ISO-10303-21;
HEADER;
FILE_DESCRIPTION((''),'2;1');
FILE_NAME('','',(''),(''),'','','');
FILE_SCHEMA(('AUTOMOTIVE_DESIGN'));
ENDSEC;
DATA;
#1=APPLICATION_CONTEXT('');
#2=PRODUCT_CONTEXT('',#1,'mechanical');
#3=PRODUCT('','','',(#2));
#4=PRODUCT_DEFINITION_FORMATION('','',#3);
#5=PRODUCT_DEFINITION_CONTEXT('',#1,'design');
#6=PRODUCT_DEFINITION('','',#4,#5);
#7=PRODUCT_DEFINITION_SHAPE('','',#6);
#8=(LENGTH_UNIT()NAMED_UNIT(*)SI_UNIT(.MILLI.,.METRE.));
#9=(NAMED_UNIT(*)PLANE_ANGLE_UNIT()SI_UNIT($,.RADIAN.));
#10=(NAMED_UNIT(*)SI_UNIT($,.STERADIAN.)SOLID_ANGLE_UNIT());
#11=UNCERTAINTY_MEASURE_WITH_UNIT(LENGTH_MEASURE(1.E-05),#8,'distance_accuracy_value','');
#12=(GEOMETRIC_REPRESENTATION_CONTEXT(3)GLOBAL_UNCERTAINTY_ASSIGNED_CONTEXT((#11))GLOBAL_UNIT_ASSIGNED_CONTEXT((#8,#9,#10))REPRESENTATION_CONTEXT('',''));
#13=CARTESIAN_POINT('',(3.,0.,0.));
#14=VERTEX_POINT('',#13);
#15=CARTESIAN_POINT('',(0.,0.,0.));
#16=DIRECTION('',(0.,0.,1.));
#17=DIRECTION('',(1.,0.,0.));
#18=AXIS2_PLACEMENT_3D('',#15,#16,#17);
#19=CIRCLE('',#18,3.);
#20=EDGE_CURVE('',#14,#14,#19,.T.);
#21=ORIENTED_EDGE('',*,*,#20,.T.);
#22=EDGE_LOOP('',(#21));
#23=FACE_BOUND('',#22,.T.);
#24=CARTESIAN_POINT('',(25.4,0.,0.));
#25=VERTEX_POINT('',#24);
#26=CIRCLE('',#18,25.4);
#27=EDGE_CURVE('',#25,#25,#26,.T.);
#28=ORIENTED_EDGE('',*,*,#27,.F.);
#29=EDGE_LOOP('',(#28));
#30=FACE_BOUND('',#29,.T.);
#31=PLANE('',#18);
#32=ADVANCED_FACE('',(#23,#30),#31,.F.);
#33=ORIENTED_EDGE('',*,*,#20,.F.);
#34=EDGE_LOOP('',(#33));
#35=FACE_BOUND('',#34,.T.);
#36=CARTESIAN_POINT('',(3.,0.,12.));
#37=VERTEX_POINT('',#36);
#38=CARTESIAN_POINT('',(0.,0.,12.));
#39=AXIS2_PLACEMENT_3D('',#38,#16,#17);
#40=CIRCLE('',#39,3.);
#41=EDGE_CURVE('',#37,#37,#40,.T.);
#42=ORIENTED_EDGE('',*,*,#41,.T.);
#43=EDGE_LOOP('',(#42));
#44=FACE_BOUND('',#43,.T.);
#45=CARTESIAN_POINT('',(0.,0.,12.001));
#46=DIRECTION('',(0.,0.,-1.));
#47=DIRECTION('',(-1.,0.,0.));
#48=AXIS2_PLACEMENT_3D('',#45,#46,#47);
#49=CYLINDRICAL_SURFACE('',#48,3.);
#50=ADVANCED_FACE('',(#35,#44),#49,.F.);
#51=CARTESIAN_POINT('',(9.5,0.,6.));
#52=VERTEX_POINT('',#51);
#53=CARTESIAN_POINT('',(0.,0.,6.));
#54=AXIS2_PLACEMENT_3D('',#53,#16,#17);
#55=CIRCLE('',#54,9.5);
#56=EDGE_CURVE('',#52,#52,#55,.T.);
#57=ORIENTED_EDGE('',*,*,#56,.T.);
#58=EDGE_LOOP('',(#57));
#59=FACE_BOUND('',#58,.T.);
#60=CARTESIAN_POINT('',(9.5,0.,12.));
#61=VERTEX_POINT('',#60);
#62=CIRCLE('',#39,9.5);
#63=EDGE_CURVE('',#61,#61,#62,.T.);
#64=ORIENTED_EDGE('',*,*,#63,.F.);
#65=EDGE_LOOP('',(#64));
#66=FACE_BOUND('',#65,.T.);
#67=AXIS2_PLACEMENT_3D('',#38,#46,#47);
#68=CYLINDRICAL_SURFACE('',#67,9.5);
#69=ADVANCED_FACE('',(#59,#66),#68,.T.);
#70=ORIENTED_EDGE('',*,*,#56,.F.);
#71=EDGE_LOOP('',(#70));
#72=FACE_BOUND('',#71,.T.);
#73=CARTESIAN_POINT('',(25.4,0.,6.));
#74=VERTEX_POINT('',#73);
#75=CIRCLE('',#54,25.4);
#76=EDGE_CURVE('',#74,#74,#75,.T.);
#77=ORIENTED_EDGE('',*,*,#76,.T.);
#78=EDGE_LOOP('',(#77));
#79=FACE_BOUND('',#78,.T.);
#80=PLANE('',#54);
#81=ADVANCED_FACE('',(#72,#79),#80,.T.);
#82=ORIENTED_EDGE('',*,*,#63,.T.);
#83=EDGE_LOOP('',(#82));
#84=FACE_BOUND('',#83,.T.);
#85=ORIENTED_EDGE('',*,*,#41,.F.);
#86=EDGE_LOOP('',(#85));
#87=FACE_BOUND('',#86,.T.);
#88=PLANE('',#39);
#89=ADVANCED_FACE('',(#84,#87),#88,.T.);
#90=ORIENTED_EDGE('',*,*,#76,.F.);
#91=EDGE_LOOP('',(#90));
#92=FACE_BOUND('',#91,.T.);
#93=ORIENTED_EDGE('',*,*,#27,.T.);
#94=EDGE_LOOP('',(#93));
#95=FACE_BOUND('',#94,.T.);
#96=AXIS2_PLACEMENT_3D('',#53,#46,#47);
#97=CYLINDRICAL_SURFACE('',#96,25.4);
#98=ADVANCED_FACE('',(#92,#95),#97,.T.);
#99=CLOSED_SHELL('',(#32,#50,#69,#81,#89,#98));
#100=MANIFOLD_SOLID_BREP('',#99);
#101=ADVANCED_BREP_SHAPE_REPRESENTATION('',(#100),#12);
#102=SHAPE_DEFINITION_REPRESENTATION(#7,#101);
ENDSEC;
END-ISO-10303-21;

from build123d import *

# Parameters (mm, degrees)
SKETCH1_R           = 25.4
BOSS_EXTRUDE1_DEPTH = 6
SKETCH4_R           = 9.5
BOSS_EXTRUDE2_DEPTH = 6
CUT_EXTRUDE1_REACH  = 39.872
SKETCH6_R           = 3


with BuildPart() as part:
    # Sketch1 → Boss-Extrude1 (new body)
    with BuildSketch(Plane.XY):
        Circle(SKETCH1_R)
    extrude(amount=BOSS_EXTRUDE1_DEPTH)

    # Sketch4 → Boss-Extrude2 (add)
    with BuildSketch(Plane.XY.offset(6)):
        Circle(SKETCH4_R)
    extrude(amount=BOSS_EXTRUDE2_DEPTH)

    # Sketch6 → Cut-Extrude1 (cut, up to next)
    with BuildSketch(Plane.XY, mode=Mode.PRIVATE) as cut_extrude1_sk1:
        Circle(SKETCH6_R)
    cut_extrude1_tool1 = extrude(cut_extrude1_sk1.sketch, amount=CUT_EXTRUDE1_REACH, mode=Mode.PRIVATE) & part.part
    add(cut_extrude1_tool1.solids().sort_by_distance((0, 0, 0))[0], mode=Mode.SUBTRACT)


solid = part.part
